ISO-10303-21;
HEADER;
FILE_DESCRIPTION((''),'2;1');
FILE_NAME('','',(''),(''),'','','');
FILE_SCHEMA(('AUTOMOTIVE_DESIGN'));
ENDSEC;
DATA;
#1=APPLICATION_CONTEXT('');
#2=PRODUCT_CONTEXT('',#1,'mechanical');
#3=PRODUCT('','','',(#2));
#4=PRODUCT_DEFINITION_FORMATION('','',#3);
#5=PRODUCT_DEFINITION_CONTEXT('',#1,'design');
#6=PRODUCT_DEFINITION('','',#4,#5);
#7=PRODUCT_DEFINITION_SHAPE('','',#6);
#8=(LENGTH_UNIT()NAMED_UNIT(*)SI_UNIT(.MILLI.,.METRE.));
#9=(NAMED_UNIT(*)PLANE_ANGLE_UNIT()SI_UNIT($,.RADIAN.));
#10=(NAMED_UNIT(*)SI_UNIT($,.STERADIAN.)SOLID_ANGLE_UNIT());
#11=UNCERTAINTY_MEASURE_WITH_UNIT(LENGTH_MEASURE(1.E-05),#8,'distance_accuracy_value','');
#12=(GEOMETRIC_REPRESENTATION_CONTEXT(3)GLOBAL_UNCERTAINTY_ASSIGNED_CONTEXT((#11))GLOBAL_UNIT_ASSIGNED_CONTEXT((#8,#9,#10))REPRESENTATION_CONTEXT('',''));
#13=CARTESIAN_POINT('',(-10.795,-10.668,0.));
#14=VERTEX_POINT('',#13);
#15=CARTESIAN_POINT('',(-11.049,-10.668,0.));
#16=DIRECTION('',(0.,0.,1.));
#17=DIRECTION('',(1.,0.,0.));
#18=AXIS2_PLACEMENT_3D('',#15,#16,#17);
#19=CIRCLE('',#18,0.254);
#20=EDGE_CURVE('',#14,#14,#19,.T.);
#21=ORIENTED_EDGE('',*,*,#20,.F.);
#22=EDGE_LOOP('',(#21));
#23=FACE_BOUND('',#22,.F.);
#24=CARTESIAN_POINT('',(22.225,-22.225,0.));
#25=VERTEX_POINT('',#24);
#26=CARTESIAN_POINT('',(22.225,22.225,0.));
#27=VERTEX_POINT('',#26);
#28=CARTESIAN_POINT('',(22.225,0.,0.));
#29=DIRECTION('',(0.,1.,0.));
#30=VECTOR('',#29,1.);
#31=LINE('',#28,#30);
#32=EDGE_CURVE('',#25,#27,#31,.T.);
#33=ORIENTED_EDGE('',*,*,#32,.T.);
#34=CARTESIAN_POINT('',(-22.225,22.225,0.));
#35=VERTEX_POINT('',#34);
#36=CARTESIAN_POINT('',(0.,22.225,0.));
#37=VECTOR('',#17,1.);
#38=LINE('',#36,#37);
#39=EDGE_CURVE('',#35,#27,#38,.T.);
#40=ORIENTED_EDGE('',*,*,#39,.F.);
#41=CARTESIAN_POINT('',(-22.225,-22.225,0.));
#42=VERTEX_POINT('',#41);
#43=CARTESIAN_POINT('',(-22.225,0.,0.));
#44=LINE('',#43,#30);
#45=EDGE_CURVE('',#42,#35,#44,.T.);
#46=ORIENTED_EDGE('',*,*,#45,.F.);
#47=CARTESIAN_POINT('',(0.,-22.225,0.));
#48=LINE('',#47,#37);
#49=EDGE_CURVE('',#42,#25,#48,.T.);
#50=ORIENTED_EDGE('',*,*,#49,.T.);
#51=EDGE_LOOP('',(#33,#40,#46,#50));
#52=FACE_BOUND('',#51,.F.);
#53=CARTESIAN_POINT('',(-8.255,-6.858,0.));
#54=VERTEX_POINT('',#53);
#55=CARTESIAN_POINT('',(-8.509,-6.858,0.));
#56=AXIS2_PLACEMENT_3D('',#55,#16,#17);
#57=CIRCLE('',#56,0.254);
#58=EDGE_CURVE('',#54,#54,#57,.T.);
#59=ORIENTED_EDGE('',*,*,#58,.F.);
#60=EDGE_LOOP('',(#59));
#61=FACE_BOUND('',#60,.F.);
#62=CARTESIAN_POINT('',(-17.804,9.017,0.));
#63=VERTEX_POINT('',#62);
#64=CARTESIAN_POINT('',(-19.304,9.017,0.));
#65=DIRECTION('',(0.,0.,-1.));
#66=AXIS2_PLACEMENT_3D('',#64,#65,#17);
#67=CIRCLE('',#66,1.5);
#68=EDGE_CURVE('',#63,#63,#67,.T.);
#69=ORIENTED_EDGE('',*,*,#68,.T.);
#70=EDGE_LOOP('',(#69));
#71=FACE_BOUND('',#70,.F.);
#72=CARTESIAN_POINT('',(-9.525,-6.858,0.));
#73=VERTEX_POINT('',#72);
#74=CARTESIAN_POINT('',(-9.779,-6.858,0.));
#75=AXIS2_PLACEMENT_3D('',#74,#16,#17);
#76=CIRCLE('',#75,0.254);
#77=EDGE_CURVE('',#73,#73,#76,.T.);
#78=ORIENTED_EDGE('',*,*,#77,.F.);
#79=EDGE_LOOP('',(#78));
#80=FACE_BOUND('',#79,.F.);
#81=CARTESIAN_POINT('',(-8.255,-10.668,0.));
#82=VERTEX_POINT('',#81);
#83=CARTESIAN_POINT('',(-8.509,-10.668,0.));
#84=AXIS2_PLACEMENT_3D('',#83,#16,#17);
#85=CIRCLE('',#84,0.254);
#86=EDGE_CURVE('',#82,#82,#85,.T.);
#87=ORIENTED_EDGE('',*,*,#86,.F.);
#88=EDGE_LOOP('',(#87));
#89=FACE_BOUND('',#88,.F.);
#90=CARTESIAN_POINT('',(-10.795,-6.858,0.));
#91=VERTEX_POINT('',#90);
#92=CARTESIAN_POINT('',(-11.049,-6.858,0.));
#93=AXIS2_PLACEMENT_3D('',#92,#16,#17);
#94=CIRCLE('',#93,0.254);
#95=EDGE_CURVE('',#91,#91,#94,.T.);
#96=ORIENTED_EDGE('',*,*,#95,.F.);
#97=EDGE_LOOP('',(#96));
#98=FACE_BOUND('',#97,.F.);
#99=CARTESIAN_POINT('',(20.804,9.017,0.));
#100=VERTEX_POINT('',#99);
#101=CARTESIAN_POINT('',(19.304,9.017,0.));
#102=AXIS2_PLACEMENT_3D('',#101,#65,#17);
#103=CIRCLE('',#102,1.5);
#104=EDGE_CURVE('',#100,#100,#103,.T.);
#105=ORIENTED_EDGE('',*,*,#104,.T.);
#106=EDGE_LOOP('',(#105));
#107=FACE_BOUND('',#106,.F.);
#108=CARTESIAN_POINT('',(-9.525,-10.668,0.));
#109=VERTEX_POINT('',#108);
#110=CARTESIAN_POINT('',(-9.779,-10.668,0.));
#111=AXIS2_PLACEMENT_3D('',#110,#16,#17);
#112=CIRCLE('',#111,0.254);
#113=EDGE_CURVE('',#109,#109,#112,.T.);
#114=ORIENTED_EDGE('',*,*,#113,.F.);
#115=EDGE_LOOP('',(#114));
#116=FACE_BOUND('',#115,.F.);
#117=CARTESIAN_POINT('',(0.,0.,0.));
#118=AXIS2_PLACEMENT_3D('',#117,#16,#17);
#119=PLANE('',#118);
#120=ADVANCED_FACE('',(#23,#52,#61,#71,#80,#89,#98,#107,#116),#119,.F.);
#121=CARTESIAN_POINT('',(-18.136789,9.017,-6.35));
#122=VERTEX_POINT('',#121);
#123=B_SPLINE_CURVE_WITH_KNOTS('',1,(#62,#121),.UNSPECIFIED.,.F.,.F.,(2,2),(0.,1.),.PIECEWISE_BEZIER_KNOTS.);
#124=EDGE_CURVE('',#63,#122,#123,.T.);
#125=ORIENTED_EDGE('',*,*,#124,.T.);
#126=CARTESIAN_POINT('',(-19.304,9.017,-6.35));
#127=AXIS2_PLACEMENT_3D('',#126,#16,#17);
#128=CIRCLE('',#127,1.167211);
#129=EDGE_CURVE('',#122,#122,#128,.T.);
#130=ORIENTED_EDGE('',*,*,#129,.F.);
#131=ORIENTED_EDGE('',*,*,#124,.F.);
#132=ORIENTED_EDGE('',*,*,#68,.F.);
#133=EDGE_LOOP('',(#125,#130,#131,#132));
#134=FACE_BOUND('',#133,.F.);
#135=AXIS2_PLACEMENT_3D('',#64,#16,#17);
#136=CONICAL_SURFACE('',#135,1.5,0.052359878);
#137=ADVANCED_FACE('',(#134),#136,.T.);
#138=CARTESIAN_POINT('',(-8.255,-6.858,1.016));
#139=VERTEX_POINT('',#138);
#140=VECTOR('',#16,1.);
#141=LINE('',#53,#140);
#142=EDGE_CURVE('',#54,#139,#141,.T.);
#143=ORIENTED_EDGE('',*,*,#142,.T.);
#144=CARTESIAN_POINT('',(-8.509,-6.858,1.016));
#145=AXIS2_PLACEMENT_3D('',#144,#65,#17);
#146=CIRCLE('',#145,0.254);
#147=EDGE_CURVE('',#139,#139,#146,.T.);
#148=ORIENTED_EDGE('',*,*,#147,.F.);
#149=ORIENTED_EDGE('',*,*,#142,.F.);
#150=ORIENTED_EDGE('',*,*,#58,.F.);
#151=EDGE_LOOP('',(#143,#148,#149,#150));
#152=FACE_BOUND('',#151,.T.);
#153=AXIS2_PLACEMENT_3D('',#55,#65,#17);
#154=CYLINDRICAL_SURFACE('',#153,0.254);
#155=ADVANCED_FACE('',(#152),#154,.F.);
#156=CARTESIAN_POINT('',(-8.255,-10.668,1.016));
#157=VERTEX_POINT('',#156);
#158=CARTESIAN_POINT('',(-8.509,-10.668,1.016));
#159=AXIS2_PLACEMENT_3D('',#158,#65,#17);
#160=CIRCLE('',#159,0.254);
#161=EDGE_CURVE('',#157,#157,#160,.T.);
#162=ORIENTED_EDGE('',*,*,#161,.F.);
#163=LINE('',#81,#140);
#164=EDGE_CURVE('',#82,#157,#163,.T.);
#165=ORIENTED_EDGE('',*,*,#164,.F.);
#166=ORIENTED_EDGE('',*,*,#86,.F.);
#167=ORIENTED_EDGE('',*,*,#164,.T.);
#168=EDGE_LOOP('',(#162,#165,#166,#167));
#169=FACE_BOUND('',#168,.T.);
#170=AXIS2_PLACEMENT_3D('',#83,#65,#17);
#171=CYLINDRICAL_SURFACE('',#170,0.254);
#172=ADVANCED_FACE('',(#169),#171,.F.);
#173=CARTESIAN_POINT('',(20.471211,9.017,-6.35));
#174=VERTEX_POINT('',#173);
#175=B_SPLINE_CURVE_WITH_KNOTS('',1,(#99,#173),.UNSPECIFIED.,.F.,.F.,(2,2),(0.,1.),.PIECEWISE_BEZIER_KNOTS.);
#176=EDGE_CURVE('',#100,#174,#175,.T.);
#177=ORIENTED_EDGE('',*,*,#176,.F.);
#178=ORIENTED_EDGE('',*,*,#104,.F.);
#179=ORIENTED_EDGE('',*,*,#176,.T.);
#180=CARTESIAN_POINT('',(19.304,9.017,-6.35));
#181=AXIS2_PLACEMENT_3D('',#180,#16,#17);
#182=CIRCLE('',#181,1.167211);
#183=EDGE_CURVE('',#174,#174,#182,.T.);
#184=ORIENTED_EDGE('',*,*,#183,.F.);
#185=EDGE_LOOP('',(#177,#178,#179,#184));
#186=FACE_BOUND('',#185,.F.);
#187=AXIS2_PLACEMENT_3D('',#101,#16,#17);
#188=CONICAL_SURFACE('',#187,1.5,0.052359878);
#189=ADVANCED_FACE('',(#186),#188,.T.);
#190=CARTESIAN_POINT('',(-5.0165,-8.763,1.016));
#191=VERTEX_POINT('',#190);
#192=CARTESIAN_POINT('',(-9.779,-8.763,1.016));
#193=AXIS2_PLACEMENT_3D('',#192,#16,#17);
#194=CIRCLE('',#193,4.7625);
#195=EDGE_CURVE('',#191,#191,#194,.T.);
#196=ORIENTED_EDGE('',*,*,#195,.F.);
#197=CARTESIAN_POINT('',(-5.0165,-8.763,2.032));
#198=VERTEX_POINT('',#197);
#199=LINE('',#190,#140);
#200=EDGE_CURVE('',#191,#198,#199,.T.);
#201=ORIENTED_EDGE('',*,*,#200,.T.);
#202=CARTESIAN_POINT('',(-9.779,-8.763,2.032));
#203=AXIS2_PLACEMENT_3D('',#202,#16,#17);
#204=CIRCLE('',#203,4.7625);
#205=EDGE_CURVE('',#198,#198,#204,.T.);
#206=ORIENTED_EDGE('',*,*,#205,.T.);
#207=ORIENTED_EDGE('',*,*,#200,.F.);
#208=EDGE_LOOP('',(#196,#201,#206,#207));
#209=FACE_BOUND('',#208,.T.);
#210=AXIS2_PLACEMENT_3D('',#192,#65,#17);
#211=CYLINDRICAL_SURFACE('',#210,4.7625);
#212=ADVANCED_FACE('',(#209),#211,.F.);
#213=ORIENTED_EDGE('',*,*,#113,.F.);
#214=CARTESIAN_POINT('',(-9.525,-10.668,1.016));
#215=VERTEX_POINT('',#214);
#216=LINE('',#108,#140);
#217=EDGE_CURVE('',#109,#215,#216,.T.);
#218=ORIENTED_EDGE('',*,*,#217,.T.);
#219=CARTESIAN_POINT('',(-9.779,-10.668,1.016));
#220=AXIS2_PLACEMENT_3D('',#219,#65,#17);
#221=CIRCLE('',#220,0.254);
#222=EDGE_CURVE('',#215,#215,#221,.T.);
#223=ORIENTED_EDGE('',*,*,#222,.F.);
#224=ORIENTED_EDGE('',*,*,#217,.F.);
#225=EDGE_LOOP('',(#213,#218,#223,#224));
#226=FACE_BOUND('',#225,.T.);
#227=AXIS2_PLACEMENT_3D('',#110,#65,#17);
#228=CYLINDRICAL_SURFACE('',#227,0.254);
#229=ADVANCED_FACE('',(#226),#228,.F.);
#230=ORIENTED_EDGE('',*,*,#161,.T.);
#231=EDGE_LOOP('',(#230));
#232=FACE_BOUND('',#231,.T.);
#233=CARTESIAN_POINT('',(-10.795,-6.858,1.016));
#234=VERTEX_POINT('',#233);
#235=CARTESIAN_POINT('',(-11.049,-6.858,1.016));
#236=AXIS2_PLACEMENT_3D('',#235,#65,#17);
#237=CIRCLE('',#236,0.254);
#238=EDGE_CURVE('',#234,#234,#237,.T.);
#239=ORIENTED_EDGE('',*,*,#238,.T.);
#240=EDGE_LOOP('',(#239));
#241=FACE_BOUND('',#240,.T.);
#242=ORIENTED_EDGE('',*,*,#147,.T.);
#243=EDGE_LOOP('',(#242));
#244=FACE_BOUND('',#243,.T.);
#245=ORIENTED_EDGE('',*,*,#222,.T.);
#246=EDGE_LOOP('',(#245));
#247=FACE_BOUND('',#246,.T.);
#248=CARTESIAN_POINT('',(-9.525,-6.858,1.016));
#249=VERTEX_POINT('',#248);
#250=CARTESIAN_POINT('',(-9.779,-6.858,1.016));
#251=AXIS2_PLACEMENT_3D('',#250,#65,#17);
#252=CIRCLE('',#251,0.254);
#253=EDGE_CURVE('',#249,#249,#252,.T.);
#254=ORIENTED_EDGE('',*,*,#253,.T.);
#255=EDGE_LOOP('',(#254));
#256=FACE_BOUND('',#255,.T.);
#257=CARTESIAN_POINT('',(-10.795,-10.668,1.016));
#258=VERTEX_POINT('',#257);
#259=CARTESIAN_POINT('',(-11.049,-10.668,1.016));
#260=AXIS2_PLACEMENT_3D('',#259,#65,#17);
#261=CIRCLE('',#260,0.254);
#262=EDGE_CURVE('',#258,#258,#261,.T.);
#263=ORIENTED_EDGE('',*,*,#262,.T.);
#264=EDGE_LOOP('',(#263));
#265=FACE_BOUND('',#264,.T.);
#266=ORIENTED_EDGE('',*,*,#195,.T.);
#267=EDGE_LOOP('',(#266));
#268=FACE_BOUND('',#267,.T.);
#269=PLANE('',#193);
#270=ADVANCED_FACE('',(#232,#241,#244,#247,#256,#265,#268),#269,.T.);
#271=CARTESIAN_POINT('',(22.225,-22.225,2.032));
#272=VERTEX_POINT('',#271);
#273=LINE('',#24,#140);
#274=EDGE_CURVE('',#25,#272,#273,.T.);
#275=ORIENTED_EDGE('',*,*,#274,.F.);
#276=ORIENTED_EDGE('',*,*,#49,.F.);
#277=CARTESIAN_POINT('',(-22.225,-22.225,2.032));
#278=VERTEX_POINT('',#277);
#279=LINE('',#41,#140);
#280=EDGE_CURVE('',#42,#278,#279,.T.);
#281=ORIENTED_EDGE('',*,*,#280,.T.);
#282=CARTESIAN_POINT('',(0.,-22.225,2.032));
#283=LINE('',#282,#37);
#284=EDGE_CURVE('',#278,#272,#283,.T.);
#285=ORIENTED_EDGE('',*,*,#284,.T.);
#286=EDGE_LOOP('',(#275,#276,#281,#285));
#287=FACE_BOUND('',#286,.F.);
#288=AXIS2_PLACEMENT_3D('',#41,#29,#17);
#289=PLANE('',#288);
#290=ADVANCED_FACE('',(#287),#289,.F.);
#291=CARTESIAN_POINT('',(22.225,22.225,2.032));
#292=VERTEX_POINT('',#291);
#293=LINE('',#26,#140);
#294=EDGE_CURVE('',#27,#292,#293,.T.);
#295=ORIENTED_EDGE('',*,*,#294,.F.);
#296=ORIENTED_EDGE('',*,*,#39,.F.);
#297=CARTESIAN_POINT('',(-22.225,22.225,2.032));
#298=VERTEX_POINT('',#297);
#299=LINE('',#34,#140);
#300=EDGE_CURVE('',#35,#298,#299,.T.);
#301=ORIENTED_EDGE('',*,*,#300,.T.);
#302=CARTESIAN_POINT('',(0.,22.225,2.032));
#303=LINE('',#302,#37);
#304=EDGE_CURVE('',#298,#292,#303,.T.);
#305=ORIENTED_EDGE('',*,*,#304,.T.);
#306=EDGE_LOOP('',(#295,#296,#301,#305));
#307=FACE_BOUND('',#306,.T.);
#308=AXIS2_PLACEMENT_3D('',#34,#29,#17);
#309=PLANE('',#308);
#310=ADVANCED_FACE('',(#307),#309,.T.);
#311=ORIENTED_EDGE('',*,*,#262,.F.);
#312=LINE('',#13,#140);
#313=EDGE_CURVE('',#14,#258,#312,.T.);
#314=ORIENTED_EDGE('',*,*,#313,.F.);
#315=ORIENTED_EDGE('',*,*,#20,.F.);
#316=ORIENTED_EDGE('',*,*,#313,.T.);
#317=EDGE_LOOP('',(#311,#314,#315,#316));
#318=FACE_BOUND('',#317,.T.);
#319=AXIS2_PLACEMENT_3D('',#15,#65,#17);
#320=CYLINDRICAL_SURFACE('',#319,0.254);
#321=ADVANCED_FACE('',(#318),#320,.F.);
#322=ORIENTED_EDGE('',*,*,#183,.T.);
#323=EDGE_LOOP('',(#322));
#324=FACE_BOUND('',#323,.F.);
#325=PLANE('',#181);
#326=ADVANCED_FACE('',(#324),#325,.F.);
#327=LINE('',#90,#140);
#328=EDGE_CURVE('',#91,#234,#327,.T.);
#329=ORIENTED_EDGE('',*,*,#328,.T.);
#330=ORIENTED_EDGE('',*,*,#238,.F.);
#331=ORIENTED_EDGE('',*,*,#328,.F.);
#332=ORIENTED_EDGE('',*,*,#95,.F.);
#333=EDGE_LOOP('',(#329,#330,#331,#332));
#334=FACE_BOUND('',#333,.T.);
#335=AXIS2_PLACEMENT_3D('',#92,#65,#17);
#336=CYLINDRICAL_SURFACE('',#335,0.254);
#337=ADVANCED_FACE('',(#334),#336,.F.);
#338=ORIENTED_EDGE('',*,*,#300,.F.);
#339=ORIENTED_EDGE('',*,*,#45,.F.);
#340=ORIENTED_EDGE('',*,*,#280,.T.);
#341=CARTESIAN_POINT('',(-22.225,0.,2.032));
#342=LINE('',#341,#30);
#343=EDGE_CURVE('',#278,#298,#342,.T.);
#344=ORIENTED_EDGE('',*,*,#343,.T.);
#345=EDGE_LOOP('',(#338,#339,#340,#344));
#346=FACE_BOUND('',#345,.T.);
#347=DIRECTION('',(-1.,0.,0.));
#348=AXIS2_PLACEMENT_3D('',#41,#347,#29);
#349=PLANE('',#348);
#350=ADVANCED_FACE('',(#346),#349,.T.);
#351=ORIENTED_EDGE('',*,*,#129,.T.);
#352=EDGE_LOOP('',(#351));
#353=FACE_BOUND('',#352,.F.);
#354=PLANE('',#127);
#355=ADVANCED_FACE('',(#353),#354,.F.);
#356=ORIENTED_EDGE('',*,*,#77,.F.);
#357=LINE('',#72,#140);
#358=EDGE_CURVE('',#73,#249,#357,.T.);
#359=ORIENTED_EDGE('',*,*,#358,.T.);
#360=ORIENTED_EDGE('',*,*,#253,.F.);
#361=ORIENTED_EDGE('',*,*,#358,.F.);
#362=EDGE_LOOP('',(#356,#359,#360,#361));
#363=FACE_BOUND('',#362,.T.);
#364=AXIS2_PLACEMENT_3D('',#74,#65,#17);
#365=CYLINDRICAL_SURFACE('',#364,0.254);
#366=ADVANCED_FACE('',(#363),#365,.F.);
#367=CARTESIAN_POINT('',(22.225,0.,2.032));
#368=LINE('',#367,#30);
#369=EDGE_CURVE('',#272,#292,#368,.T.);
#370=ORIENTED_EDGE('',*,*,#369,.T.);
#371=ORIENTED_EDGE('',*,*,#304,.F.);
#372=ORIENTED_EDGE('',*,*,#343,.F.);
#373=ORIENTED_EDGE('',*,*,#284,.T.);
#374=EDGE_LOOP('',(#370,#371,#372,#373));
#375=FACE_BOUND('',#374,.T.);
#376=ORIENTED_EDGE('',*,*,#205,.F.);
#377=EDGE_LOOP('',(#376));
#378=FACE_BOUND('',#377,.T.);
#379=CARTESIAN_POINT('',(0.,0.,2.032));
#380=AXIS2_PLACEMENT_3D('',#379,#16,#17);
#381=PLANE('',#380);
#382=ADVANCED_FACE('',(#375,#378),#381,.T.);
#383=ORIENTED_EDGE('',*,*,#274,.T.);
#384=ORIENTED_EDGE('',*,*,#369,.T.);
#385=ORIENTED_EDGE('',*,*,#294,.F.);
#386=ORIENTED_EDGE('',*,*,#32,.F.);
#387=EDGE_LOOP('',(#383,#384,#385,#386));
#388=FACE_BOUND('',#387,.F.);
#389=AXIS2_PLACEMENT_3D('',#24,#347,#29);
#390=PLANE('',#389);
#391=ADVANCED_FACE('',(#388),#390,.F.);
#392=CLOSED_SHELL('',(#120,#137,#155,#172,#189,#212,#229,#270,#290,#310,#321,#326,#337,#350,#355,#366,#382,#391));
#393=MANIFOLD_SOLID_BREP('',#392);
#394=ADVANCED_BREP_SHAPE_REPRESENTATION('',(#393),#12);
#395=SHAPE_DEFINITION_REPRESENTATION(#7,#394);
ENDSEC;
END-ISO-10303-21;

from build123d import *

# Parameters (mm, degrees)
F0_W     = 44.45
F0_H     = 44.45
F1_DEPTH = 2.032
F2_R     = 1.5
F3_DEPTH = 6.35
F3_TAPER = 3
F4_R     = 0.254
F5_DEPTH = 25.4
F7_START = 1.016
F6_R     = 4.7625
F7_DEPTH = 1.016


with BuildPart() as f1:
    # F0 (on Top) → F1 (new body)
    with BuildSketch(Plane.XY):
        Rectangle(F0_W, F0_H)
    extrude(amount=F1_DEPTH)

    # F2 (on Top) → F3 (join)
    with BuildSketch(Plane.XY):
        with Locations((-19.304, 9.017)):
            Circle(F2_R)
        with Locations((19.304, 9.017)):
            Circle(F2_R)
    extrude(amount=-F3_DEPTH, taper=F3_TAPER)

    # F4 (on Top) → F5 (cut)
    with BuildSketch(Plane.XY):
        with Locations((-11.049, -6.858)):
            Circle(F4_R)
        with Locations((-11.049, -10.668)):
            Circle(F4_R)
        with Locations((-9.779, -6.858)):
            Circle(F4_R)
        with Locations((-9.779, -10.668)):
            Circle(F4_R)
        with Locations((-8.509, -6.858)):
            Circle(F4_R)
        with Locations((-8.509, -10.668)):
            Circle(F4_R)
    extrude(amount=F5_DEPTH, mode=Mode.SUBTRACT)

    # F6 (on Top) → F7 (cut)
    with BuildSketch(Plane.XY.offset(F7_START)):
        with Locations((-9.779, -8.763)):
            Circle(F6_R)
    extrude(amount=F7_DEPTH, mode=Mode.SUBTRACT)


solid = f1.part
